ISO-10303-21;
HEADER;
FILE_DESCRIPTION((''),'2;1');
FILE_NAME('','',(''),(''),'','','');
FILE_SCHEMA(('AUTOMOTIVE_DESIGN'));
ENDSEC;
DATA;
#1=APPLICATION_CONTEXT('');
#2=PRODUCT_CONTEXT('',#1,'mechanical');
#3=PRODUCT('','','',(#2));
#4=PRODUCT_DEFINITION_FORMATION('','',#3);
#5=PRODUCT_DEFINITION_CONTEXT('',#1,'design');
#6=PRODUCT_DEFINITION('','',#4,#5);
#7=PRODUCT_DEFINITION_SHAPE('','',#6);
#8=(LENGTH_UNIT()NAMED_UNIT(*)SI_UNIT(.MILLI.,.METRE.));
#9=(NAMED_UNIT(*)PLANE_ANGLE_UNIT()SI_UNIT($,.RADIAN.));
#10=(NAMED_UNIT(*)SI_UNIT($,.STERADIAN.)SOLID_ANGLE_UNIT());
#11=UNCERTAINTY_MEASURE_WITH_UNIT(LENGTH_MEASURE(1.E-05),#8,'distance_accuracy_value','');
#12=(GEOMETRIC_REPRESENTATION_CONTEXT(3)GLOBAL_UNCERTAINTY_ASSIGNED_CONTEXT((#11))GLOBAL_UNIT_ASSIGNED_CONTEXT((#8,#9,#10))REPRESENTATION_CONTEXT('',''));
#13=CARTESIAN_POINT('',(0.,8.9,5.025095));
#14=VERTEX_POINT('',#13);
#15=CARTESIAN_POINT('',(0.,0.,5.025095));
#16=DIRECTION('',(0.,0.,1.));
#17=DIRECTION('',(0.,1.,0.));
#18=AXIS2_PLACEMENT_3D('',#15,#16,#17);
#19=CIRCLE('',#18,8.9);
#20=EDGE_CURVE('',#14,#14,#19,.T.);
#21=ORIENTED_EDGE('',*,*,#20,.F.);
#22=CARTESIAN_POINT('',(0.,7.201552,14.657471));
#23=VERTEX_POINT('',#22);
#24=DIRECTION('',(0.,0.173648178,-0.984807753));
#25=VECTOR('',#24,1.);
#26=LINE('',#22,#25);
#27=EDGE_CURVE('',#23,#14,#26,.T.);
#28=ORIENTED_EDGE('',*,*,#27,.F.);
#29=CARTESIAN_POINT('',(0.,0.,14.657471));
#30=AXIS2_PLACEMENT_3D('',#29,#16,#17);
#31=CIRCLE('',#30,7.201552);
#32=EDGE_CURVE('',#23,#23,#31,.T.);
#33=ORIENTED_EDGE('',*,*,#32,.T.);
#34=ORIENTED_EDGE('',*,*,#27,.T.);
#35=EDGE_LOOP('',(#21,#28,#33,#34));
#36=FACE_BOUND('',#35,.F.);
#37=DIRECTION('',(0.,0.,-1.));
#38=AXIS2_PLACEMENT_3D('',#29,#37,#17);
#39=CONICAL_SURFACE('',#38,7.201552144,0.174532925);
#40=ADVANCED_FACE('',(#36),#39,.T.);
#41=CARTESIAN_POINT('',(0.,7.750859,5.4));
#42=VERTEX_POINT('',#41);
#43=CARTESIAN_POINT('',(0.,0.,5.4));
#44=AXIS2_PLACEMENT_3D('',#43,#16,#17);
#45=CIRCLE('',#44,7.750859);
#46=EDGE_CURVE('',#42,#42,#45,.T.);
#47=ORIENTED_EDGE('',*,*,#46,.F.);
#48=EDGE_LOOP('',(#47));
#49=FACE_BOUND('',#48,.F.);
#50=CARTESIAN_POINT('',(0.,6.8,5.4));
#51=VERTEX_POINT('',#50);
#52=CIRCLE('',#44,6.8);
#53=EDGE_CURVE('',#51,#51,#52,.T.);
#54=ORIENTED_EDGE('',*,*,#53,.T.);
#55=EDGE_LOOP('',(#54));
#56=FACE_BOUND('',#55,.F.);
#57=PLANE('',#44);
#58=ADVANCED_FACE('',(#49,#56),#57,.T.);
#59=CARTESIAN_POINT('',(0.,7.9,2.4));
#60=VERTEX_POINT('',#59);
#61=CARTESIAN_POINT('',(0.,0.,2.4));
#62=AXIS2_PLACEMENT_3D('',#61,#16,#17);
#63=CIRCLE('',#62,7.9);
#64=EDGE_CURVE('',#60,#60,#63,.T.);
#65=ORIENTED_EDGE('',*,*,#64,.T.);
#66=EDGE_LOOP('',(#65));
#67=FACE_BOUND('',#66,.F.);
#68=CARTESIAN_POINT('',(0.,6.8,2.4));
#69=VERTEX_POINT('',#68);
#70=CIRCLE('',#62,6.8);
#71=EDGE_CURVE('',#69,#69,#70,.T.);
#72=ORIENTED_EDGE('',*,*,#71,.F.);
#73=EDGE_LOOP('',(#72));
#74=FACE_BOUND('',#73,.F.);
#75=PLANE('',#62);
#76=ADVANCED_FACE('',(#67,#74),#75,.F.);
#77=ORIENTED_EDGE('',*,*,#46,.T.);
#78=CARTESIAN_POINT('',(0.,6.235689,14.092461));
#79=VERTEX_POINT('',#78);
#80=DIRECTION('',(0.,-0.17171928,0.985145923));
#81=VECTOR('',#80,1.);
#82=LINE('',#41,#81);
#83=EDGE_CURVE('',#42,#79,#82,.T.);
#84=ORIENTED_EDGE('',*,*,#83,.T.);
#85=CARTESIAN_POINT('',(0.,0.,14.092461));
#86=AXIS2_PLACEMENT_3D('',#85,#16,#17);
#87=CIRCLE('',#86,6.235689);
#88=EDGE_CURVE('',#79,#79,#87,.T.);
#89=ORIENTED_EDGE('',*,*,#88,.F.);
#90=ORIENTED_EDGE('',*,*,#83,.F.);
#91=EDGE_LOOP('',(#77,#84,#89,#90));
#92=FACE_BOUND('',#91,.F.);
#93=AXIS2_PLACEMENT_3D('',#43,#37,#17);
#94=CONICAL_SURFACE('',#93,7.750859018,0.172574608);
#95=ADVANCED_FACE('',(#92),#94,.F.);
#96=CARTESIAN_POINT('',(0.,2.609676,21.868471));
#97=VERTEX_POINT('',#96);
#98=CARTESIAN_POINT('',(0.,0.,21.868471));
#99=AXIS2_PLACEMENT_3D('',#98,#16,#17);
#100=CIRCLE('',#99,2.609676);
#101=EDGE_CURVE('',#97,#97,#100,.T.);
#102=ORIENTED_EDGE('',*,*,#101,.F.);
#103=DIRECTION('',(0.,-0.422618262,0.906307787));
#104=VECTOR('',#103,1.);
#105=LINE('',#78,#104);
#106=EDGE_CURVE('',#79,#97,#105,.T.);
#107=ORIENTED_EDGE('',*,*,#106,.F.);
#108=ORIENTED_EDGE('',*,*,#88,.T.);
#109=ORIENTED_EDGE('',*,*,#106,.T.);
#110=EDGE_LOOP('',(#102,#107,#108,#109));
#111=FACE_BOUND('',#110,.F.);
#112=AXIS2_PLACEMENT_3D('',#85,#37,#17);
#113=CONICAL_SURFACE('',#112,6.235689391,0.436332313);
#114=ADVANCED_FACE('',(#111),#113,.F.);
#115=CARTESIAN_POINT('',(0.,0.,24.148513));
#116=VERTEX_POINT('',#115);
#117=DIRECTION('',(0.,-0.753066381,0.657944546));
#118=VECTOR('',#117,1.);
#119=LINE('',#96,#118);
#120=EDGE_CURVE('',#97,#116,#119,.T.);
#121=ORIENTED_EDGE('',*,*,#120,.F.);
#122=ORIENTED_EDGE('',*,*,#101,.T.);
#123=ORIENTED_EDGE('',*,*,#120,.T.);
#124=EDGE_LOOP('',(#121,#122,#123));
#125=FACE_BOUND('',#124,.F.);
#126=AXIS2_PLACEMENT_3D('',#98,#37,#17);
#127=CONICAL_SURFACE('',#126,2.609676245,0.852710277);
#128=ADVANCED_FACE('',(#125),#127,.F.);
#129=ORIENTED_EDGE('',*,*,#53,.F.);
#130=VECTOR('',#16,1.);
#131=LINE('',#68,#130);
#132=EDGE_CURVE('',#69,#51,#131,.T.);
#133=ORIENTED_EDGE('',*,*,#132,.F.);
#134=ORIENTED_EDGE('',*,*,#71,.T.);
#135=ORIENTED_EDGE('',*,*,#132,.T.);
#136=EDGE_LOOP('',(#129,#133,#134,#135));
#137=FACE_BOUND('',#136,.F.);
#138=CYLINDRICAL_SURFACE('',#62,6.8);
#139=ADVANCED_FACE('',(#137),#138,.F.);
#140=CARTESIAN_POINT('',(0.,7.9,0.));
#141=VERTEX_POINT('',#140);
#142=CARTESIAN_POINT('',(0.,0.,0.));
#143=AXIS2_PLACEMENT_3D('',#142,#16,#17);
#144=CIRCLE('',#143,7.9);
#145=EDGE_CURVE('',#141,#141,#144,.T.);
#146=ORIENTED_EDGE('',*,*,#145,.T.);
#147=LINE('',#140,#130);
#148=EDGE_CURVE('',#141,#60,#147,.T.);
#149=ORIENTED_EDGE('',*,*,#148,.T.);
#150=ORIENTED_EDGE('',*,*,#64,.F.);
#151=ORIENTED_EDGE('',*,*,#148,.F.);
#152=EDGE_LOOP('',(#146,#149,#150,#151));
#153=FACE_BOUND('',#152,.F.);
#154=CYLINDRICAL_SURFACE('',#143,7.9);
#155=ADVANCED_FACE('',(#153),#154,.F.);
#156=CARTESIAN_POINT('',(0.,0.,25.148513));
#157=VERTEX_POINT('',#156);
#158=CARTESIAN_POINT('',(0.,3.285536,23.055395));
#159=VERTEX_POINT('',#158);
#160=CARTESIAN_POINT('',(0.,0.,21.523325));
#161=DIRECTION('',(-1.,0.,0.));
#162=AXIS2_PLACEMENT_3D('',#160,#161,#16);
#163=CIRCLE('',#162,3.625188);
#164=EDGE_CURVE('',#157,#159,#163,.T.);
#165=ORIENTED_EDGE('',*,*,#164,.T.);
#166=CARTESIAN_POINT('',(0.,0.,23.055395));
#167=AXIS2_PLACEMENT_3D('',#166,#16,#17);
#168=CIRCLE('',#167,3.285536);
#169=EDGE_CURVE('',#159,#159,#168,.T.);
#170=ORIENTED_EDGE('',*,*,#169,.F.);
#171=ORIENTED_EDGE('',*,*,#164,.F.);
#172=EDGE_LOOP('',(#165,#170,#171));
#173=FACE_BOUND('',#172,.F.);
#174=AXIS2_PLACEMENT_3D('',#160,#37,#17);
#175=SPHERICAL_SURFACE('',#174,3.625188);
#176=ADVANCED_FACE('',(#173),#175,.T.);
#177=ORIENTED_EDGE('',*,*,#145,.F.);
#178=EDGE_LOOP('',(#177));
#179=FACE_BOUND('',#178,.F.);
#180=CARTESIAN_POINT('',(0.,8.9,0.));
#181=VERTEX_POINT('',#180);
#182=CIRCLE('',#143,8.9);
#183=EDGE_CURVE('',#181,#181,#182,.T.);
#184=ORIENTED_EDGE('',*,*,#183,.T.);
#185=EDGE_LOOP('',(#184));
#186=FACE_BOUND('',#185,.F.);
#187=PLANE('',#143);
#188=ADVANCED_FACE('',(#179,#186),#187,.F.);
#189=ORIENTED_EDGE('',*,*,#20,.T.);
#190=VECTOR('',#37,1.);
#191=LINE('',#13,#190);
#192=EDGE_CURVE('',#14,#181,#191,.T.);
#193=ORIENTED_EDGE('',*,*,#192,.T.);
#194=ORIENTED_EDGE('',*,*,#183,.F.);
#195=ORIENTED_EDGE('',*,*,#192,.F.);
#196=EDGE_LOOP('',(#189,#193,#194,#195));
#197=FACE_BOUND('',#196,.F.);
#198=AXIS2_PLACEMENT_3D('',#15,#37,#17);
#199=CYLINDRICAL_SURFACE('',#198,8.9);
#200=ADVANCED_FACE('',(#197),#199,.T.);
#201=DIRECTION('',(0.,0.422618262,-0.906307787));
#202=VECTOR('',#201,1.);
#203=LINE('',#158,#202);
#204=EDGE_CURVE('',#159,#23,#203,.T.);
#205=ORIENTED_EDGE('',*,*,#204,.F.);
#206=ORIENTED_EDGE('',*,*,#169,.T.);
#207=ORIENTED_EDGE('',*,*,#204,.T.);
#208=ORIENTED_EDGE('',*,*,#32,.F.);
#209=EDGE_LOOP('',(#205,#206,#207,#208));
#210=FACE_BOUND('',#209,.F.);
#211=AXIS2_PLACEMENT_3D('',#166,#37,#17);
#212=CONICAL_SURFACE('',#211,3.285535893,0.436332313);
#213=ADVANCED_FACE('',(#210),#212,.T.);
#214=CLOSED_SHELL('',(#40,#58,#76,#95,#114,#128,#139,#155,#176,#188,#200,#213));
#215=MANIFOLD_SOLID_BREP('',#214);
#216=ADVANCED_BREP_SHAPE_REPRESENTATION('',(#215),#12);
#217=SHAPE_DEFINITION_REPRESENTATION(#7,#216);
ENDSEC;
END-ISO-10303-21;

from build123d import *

# Parameters (mm, degrees)
F3_ANGLE = 90


with BuildPart() as f1:
    # F0 (on Top) → F1 (revolve)
    with BuildSketch(Plane.XY):
        with BuildLine():
            Line((0, 8.9), (0, 7.9))
            Line((0, 7.9), (2.4, 7.9))
            Line((2.4, 7.9), (2.4, 6.8))
            Line((2.4, 6.8), (5.4, 6.8))
            Line((5.4, 6.8), (5.4, 7.7508590184))
            Line((5.4, 7.7508590184), (14.092461206, 6.2356893905))
            Line((14.092461206, 6.2356893905), (21.86847149, 2.6096762451))
            Line((21.86847149, 2.6096762451), (24.1485125287, 0))
            Line((24.1485125287, 0), (25.1485125287, 0))
            ThreePointArc((25.1485125287, 0), (24.5807771156, 1.9478119615), (23.0553953206, 3.2855358927))
            Line((23.0553953206, 3.2855358927), (14.6574713698, 7.2015521436))
            Line((14.6574713698, 7.2015521436), (5.0250949202, 8.9))
            Line((5.0250949202, 8.9), (0, 8.9))
        make_face()
    revolve(axis=Axis((12.5827532146, 0, 0), (1, 0, 0)))


with BuildPart() as f1_1:
    # F3: moved
    add(f1.part.rotate(Axis((0, 0, 0), (0, -1, 0)), F3_ANGLE))


solid = f1_1.part
